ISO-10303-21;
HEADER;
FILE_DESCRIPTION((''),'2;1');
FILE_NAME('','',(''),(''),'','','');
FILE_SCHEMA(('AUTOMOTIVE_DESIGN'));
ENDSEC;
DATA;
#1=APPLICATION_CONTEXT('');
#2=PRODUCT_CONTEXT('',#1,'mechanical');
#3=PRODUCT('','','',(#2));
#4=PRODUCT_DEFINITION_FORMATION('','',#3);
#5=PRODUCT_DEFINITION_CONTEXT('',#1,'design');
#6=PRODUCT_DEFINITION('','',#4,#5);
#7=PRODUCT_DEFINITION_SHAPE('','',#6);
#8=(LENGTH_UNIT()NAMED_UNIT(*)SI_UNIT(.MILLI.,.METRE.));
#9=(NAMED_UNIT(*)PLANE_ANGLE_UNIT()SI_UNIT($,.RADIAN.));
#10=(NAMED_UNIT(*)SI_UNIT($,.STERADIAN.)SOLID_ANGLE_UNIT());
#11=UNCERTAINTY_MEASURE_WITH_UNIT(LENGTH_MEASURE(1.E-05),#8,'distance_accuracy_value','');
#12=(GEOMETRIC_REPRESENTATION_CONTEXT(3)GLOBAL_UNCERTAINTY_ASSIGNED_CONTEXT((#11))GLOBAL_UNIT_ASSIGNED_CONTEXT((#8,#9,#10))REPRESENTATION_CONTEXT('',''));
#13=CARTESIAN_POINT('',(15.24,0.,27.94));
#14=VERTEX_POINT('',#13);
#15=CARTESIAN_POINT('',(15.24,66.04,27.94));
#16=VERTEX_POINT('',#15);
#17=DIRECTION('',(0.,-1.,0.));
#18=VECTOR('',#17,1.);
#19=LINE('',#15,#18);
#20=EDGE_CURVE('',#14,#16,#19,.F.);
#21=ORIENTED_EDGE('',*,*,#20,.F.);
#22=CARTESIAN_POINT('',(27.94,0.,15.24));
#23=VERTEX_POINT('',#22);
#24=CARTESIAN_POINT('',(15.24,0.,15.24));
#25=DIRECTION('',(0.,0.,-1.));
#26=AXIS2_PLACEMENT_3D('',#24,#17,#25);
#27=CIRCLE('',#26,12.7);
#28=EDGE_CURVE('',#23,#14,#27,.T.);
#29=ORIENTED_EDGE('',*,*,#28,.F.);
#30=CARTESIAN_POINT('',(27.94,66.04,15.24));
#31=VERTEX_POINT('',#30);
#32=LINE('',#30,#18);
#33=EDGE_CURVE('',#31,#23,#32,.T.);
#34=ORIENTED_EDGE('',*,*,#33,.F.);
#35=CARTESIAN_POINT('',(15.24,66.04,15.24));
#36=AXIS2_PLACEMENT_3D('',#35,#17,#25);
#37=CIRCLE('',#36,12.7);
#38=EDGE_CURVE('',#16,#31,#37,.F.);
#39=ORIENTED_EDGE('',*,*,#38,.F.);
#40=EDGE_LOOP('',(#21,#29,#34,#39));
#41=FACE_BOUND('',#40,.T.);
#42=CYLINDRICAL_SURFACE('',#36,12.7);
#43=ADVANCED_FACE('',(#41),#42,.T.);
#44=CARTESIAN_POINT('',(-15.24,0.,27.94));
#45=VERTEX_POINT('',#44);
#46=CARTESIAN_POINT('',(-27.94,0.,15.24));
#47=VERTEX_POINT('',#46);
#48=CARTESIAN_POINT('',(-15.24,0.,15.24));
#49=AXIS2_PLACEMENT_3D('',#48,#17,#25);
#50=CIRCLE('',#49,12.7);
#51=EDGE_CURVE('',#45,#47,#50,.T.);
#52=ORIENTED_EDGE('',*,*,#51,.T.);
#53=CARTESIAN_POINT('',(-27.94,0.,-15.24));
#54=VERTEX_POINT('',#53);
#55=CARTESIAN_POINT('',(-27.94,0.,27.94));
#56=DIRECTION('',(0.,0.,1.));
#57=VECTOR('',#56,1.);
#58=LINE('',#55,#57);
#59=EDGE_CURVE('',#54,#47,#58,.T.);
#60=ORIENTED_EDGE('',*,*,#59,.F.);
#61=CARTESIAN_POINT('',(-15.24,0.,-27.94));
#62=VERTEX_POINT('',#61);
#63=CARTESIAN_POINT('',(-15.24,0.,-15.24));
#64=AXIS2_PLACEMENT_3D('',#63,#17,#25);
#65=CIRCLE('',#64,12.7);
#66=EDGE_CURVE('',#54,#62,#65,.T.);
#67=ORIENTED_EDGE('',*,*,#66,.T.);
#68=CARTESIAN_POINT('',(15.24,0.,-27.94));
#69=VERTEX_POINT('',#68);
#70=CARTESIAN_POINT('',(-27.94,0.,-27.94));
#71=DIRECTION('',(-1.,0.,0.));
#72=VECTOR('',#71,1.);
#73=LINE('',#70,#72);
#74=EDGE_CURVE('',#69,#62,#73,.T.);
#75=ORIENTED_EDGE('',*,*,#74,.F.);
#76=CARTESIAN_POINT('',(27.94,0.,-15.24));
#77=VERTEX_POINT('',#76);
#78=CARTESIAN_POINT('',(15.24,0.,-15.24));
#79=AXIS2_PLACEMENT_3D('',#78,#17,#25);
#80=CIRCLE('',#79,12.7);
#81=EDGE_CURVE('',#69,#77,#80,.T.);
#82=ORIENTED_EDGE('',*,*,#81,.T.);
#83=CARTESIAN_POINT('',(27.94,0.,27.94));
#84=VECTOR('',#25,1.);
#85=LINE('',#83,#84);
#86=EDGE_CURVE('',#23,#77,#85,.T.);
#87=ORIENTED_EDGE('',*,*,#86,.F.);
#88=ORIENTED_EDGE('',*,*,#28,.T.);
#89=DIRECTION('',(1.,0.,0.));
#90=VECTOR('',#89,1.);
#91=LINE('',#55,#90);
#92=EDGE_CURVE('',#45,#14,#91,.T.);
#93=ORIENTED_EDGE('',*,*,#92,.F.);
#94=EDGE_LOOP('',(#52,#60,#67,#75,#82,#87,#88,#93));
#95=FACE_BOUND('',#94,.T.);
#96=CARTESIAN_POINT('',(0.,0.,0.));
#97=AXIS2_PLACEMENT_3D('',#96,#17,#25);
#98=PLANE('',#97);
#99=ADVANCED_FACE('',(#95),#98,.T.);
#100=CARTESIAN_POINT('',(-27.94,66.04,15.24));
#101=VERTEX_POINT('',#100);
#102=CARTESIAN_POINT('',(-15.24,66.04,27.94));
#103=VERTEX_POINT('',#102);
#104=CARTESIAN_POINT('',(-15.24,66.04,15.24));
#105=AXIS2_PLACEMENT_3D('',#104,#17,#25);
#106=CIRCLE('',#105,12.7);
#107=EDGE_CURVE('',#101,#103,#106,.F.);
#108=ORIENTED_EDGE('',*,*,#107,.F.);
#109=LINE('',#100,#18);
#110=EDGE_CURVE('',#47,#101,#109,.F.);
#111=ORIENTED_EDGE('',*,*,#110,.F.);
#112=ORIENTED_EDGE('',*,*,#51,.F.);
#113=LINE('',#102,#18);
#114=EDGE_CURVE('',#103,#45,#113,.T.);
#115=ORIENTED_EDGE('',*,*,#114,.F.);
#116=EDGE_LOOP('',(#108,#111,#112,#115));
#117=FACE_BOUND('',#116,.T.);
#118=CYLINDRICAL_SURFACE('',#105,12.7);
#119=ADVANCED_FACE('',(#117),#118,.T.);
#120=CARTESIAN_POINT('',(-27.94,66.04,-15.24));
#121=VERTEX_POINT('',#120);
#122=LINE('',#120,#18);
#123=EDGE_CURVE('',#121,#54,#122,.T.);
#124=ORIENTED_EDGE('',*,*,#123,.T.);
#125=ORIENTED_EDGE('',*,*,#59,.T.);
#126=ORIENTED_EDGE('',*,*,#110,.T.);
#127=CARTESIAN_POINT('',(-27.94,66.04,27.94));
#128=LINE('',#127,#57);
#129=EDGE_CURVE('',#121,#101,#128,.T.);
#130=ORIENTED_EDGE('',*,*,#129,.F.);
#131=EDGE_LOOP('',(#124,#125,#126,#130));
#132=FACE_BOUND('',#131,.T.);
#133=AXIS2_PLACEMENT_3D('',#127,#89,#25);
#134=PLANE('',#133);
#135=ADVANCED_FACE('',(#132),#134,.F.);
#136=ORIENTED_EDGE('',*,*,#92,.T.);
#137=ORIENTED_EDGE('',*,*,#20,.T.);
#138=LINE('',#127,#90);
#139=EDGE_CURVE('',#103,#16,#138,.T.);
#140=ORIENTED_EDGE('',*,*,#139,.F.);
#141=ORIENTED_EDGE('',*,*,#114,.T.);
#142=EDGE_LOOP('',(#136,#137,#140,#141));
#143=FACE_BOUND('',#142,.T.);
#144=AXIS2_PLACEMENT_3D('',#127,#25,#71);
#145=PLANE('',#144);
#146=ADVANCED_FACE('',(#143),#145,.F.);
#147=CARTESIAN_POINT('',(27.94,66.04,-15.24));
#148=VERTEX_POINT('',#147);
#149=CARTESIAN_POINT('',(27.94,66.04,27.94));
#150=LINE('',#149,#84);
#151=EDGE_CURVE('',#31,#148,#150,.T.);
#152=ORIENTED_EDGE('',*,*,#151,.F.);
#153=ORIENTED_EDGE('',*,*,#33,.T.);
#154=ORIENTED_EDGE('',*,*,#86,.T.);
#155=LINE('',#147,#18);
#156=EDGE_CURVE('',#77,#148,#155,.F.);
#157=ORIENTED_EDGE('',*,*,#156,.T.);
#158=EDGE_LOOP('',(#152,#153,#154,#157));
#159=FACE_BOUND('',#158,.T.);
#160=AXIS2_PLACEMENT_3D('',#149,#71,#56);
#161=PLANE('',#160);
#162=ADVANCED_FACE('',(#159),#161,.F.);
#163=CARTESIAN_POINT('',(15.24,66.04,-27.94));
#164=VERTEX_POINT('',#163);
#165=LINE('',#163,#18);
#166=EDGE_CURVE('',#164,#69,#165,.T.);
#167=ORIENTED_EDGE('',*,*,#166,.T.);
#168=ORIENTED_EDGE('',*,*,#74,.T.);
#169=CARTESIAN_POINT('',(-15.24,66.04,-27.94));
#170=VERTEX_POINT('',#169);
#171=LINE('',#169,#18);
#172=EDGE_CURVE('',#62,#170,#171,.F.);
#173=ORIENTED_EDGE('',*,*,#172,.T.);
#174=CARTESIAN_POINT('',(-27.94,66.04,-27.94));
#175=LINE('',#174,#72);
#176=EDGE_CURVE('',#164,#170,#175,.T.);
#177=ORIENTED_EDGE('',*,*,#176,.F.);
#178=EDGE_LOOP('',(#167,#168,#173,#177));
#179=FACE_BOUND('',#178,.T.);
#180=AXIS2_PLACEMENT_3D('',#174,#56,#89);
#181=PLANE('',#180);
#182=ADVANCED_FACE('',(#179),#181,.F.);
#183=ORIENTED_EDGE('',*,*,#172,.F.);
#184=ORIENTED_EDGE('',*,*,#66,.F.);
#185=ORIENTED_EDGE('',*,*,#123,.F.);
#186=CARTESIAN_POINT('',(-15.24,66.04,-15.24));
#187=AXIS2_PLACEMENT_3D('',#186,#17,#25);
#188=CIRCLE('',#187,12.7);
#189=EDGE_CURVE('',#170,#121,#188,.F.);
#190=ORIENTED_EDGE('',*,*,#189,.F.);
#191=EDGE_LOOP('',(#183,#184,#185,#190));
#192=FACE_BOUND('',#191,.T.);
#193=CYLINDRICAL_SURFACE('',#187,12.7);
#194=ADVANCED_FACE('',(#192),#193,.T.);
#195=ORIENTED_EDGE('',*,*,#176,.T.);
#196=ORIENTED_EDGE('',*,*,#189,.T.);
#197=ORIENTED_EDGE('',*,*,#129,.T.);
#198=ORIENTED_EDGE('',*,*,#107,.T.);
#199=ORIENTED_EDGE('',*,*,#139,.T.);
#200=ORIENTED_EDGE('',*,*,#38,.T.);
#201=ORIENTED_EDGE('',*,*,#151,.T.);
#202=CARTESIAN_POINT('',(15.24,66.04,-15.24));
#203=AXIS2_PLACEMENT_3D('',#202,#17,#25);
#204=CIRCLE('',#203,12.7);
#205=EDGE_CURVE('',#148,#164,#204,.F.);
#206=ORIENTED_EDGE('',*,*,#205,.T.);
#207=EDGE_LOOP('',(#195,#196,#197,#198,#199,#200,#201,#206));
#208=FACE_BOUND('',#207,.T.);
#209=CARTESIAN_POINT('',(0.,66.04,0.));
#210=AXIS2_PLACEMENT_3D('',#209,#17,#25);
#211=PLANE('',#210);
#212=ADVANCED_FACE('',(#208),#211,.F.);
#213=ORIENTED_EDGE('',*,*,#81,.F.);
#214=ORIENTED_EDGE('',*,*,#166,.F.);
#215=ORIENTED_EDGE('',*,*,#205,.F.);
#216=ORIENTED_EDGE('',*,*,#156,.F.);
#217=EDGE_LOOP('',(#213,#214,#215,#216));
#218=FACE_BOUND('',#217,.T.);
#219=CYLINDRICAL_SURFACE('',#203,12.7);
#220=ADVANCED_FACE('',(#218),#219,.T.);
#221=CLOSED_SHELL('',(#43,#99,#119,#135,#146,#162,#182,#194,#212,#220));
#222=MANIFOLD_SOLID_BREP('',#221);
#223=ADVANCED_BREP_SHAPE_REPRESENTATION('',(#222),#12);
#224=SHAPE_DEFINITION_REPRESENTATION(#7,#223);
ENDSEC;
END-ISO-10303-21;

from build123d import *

# Parameters (mm, degrees)
SKETCH1_W           = 55.88
SKETCH1_H           = 55.88
BOSS_EXTRUDE1_DEPTH = 66.04
FILLET1_R           = 12.7


with BuildPart() as part:
    # Sketch1 → Boss-Extrude1 (new body)
    with BuildSketch(Plane(origin=(0, 0, 0), x_dir=(1, 0, 0), z_dir=(0, 1, 0))):
        Rectangle(SKETCH1_W, SKETCH1_H)
    extrude(amount=BOSS_EXTRUDE1_DEPTH)

    # Fillet1
    fillet1_edges = [part.edges().sort_by_distance(p)[0] for p in [
        (27.94, 33.02, 27.94),
        (-27.94, 33.02, 27.94),
        (-27.94, 33.02, -27.94),
        (27.94, 33.02, -27.94),
    ]]
    fillet(fillet1_edges, radius=FILLET1_R)


solid = part.part
